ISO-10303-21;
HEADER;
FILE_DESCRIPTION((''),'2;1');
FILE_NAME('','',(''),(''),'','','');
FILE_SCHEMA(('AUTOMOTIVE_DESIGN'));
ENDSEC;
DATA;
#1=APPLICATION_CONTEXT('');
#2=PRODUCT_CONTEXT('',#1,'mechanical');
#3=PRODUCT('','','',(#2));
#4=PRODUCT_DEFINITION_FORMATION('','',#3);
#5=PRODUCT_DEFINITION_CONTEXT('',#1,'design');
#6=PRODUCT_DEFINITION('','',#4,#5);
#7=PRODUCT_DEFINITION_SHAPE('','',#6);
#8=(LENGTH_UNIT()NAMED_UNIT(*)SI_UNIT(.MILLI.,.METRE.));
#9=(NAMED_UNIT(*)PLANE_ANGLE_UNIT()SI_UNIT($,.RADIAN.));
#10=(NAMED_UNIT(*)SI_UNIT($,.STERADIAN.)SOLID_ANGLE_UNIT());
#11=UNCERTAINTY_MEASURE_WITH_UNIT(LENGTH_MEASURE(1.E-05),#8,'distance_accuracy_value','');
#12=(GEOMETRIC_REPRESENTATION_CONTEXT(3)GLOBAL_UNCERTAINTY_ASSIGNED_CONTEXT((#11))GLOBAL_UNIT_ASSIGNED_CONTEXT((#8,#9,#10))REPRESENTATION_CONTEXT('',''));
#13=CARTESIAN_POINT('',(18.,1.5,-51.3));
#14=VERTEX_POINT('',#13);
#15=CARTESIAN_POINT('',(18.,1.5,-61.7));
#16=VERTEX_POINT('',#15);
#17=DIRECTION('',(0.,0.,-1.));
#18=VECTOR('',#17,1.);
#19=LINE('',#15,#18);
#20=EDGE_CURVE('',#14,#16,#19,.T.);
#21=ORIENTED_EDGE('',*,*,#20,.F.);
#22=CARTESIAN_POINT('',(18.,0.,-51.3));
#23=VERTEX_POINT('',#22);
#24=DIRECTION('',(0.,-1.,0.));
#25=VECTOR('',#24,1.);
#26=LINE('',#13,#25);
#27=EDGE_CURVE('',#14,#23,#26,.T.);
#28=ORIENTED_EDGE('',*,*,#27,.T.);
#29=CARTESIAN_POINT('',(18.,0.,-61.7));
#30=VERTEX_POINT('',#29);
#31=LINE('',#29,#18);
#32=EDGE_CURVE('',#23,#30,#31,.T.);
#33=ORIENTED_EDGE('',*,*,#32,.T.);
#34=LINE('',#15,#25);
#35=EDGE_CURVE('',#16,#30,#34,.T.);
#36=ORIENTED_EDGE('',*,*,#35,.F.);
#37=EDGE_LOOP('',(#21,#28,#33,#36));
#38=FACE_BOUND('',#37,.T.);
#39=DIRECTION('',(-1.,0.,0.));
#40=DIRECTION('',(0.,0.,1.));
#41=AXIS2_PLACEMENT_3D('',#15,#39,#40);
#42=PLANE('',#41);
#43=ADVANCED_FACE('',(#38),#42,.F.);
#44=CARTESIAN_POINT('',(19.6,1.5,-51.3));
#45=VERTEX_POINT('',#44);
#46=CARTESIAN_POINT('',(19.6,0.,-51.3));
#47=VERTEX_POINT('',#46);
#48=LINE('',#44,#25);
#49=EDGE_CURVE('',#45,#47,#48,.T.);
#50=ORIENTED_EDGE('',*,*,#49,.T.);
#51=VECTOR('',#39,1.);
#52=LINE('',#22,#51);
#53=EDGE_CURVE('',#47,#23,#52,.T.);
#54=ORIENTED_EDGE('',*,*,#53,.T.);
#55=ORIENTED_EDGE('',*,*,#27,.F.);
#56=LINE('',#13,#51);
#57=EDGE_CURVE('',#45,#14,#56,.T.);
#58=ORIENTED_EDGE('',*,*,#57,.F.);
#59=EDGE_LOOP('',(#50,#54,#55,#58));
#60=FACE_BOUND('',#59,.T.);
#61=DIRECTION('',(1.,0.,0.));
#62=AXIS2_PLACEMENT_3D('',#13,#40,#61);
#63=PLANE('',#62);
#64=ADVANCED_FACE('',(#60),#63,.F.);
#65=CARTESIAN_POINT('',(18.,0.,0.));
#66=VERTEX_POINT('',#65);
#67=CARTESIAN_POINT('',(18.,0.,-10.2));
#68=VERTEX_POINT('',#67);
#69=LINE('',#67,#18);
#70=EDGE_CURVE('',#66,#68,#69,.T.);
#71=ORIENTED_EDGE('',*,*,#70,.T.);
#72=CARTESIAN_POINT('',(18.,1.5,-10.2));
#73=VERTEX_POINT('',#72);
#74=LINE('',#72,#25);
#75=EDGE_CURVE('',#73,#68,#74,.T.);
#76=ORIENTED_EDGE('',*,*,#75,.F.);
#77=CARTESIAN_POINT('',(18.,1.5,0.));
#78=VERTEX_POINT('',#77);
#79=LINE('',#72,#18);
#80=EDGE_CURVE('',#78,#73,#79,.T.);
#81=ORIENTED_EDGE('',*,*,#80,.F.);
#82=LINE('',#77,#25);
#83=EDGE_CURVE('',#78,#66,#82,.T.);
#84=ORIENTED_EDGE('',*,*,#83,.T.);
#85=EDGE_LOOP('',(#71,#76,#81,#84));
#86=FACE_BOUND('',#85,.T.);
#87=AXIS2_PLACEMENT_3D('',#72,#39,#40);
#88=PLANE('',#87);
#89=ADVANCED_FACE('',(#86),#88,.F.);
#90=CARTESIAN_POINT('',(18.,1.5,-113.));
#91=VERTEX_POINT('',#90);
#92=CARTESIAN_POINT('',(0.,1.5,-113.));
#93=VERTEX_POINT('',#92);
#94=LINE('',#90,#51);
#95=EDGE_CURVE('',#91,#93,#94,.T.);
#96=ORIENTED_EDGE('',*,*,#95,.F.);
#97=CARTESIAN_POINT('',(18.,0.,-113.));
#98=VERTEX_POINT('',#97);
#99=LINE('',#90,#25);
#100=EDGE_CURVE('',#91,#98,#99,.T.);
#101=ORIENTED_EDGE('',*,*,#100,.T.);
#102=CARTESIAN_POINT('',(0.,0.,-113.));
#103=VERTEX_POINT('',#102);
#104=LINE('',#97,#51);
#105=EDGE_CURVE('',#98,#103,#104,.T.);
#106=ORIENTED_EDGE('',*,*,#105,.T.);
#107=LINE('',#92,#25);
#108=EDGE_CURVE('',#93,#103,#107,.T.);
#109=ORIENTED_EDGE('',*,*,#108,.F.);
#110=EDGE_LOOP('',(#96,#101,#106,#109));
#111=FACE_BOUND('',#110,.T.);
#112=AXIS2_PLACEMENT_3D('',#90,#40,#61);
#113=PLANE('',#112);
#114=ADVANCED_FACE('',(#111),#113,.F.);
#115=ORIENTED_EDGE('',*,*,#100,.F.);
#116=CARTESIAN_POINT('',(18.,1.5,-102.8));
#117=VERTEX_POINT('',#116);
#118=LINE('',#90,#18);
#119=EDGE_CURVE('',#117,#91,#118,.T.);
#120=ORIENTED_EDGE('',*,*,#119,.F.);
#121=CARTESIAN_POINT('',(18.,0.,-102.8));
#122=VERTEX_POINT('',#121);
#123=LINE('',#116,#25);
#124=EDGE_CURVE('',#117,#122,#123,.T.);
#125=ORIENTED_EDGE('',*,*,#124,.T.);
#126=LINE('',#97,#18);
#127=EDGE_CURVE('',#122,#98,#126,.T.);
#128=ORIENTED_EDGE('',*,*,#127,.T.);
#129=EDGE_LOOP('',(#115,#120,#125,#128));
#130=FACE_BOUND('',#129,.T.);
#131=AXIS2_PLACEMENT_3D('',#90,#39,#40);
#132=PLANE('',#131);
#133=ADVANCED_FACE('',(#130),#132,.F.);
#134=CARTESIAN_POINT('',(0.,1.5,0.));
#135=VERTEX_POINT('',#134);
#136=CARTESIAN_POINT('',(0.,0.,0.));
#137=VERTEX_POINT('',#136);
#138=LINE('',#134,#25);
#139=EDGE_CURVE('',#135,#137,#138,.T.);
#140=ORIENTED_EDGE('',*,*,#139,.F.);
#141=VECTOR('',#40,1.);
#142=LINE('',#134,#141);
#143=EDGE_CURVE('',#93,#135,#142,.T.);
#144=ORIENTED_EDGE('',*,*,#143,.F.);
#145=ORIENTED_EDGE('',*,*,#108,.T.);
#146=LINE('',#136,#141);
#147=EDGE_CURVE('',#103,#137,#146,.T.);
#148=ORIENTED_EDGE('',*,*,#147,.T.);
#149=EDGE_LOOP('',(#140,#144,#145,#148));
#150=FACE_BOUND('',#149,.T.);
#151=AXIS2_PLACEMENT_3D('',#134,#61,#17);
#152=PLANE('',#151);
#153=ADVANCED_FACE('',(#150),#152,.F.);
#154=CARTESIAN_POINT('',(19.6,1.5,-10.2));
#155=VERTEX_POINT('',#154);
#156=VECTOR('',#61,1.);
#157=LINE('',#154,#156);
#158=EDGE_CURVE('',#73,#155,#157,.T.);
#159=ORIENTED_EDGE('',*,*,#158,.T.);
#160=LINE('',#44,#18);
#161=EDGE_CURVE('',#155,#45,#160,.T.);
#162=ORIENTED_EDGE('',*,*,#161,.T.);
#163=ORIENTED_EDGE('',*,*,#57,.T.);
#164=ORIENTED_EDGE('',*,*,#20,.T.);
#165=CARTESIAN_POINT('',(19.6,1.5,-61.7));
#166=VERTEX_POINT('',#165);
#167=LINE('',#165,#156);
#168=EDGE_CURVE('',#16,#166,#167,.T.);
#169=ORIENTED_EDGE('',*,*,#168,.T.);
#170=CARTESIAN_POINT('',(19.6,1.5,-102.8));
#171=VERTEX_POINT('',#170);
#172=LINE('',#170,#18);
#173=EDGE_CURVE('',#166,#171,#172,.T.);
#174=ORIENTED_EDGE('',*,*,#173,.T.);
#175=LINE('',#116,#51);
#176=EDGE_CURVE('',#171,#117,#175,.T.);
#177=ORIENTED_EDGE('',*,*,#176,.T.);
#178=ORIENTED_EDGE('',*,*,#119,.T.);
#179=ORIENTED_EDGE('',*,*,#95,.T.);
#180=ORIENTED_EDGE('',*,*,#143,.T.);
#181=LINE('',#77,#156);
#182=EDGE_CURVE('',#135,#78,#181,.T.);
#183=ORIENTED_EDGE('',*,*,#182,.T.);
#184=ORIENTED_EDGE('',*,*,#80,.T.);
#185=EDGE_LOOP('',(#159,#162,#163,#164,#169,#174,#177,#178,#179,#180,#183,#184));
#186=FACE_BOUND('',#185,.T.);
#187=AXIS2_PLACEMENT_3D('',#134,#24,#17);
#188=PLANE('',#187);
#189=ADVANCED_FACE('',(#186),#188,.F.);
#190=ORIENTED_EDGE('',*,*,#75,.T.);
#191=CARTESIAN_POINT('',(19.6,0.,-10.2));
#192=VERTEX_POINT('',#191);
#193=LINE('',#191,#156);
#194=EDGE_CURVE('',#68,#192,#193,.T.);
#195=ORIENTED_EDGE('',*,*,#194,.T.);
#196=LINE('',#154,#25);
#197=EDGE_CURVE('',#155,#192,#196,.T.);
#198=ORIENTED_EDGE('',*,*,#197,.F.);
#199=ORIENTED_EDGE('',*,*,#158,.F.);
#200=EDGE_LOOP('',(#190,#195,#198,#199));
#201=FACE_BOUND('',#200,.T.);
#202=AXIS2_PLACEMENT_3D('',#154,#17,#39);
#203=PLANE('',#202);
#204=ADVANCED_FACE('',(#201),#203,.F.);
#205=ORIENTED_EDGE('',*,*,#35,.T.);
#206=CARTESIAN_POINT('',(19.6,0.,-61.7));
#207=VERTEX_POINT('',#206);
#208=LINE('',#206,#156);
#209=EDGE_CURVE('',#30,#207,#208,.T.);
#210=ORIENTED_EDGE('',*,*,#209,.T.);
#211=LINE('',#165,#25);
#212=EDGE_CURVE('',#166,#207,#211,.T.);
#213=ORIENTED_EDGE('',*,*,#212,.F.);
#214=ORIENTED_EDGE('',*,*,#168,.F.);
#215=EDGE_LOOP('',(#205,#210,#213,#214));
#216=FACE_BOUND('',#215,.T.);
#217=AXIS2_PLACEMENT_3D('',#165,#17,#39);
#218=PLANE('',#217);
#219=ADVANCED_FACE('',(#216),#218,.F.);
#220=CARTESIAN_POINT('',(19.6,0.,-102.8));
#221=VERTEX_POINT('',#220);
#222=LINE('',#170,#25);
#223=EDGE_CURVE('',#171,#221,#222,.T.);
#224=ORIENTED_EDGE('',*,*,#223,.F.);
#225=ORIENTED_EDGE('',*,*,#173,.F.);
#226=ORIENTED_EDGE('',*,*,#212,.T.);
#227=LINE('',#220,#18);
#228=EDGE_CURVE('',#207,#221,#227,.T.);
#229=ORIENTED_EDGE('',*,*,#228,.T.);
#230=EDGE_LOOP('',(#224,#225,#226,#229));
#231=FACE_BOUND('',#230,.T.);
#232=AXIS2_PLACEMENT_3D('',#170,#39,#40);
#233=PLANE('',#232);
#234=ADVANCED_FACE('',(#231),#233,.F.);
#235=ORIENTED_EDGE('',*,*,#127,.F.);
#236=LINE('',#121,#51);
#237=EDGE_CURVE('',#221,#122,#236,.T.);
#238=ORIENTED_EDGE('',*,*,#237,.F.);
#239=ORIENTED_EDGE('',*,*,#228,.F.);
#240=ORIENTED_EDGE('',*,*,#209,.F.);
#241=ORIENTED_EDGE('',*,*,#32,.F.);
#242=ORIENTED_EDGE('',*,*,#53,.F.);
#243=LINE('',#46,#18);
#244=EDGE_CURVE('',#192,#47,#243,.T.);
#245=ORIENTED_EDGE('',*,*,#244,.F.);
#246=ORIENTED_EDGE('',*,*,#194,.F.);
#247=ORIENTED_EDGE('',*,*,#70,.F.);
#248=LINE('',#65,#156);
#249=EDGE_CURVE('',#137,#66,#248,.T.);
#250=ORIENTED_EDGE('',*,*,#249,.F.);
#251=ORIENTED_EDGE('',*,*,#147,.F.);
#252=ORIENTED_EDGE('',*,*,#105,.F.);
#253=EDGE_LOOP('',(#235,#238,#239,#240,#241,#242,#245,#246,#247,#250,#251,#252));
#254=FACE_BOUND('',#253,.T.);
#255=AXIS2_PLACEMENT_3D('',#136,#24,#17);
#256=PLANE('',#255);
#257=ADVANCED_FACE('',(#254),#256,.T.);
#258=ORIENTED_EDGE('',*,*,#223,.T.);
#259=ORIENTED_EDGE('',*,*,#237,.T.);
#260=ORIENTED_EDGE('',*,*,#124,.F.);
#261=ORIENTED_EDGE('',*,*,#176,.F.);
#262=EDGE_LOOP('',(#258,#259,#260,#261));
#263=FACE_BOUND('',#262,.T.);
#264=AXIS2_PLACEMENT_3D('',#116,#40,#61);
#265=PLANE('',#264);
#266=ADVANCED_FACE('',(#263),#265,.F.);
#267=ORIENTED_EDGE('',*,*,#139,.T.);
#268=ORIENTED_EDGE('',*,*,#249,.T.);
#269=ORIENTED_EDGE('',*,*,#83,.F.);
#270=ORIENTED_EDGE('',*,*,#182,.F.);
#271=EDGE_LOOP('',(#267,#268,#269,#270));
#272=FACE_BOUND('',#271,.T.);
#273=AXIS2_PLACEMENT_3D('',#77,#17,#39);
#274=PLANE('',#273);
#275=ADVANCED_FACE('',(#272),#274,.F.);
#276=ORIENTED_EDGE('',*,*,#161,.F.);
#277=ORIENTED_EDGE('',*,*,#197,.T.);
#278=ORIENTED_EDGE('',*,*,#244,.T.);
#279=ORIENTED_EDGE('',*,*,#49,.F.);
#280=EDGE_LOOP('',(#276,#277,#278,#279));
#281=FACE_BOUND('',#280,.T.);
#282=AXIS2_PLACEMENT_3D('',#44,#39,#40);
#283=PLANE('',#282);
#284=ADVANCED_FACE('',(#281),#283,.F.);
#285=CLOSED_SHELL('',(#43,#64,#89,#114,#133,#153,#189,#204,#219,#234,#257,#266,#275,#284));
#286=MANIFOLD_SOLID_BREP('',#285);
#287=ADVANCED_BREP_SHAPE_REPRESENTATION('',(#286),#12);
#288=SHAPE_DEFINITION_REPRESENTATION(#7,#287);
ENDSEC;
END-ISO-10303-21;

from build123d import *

# Parameters (mm, degrees)
BOSS_EXTRUDE1_DEPTH = 1.5


with BuildPart() as part:
    # Sketch1 → Boss-Extrude1 (new body)
    with BuildSketch(Plane(origin=(0, 0, 0), x_dir=(1, 0, 0), z_dir=(0, 1, 0))):
        Polygon((18, 113), (18, 102.8), (19.6, 102.8), (19.6, 61.7), (18, 61.7), (18, 51.3), (19.6, 51.3), (19.6, 10.2), (18, 10.2), (18, 0), (0, 0), (0, 113), align=None)
    extrude(amount=BOSS_EXTRUDE1_DEPTH)


solid = part.part
